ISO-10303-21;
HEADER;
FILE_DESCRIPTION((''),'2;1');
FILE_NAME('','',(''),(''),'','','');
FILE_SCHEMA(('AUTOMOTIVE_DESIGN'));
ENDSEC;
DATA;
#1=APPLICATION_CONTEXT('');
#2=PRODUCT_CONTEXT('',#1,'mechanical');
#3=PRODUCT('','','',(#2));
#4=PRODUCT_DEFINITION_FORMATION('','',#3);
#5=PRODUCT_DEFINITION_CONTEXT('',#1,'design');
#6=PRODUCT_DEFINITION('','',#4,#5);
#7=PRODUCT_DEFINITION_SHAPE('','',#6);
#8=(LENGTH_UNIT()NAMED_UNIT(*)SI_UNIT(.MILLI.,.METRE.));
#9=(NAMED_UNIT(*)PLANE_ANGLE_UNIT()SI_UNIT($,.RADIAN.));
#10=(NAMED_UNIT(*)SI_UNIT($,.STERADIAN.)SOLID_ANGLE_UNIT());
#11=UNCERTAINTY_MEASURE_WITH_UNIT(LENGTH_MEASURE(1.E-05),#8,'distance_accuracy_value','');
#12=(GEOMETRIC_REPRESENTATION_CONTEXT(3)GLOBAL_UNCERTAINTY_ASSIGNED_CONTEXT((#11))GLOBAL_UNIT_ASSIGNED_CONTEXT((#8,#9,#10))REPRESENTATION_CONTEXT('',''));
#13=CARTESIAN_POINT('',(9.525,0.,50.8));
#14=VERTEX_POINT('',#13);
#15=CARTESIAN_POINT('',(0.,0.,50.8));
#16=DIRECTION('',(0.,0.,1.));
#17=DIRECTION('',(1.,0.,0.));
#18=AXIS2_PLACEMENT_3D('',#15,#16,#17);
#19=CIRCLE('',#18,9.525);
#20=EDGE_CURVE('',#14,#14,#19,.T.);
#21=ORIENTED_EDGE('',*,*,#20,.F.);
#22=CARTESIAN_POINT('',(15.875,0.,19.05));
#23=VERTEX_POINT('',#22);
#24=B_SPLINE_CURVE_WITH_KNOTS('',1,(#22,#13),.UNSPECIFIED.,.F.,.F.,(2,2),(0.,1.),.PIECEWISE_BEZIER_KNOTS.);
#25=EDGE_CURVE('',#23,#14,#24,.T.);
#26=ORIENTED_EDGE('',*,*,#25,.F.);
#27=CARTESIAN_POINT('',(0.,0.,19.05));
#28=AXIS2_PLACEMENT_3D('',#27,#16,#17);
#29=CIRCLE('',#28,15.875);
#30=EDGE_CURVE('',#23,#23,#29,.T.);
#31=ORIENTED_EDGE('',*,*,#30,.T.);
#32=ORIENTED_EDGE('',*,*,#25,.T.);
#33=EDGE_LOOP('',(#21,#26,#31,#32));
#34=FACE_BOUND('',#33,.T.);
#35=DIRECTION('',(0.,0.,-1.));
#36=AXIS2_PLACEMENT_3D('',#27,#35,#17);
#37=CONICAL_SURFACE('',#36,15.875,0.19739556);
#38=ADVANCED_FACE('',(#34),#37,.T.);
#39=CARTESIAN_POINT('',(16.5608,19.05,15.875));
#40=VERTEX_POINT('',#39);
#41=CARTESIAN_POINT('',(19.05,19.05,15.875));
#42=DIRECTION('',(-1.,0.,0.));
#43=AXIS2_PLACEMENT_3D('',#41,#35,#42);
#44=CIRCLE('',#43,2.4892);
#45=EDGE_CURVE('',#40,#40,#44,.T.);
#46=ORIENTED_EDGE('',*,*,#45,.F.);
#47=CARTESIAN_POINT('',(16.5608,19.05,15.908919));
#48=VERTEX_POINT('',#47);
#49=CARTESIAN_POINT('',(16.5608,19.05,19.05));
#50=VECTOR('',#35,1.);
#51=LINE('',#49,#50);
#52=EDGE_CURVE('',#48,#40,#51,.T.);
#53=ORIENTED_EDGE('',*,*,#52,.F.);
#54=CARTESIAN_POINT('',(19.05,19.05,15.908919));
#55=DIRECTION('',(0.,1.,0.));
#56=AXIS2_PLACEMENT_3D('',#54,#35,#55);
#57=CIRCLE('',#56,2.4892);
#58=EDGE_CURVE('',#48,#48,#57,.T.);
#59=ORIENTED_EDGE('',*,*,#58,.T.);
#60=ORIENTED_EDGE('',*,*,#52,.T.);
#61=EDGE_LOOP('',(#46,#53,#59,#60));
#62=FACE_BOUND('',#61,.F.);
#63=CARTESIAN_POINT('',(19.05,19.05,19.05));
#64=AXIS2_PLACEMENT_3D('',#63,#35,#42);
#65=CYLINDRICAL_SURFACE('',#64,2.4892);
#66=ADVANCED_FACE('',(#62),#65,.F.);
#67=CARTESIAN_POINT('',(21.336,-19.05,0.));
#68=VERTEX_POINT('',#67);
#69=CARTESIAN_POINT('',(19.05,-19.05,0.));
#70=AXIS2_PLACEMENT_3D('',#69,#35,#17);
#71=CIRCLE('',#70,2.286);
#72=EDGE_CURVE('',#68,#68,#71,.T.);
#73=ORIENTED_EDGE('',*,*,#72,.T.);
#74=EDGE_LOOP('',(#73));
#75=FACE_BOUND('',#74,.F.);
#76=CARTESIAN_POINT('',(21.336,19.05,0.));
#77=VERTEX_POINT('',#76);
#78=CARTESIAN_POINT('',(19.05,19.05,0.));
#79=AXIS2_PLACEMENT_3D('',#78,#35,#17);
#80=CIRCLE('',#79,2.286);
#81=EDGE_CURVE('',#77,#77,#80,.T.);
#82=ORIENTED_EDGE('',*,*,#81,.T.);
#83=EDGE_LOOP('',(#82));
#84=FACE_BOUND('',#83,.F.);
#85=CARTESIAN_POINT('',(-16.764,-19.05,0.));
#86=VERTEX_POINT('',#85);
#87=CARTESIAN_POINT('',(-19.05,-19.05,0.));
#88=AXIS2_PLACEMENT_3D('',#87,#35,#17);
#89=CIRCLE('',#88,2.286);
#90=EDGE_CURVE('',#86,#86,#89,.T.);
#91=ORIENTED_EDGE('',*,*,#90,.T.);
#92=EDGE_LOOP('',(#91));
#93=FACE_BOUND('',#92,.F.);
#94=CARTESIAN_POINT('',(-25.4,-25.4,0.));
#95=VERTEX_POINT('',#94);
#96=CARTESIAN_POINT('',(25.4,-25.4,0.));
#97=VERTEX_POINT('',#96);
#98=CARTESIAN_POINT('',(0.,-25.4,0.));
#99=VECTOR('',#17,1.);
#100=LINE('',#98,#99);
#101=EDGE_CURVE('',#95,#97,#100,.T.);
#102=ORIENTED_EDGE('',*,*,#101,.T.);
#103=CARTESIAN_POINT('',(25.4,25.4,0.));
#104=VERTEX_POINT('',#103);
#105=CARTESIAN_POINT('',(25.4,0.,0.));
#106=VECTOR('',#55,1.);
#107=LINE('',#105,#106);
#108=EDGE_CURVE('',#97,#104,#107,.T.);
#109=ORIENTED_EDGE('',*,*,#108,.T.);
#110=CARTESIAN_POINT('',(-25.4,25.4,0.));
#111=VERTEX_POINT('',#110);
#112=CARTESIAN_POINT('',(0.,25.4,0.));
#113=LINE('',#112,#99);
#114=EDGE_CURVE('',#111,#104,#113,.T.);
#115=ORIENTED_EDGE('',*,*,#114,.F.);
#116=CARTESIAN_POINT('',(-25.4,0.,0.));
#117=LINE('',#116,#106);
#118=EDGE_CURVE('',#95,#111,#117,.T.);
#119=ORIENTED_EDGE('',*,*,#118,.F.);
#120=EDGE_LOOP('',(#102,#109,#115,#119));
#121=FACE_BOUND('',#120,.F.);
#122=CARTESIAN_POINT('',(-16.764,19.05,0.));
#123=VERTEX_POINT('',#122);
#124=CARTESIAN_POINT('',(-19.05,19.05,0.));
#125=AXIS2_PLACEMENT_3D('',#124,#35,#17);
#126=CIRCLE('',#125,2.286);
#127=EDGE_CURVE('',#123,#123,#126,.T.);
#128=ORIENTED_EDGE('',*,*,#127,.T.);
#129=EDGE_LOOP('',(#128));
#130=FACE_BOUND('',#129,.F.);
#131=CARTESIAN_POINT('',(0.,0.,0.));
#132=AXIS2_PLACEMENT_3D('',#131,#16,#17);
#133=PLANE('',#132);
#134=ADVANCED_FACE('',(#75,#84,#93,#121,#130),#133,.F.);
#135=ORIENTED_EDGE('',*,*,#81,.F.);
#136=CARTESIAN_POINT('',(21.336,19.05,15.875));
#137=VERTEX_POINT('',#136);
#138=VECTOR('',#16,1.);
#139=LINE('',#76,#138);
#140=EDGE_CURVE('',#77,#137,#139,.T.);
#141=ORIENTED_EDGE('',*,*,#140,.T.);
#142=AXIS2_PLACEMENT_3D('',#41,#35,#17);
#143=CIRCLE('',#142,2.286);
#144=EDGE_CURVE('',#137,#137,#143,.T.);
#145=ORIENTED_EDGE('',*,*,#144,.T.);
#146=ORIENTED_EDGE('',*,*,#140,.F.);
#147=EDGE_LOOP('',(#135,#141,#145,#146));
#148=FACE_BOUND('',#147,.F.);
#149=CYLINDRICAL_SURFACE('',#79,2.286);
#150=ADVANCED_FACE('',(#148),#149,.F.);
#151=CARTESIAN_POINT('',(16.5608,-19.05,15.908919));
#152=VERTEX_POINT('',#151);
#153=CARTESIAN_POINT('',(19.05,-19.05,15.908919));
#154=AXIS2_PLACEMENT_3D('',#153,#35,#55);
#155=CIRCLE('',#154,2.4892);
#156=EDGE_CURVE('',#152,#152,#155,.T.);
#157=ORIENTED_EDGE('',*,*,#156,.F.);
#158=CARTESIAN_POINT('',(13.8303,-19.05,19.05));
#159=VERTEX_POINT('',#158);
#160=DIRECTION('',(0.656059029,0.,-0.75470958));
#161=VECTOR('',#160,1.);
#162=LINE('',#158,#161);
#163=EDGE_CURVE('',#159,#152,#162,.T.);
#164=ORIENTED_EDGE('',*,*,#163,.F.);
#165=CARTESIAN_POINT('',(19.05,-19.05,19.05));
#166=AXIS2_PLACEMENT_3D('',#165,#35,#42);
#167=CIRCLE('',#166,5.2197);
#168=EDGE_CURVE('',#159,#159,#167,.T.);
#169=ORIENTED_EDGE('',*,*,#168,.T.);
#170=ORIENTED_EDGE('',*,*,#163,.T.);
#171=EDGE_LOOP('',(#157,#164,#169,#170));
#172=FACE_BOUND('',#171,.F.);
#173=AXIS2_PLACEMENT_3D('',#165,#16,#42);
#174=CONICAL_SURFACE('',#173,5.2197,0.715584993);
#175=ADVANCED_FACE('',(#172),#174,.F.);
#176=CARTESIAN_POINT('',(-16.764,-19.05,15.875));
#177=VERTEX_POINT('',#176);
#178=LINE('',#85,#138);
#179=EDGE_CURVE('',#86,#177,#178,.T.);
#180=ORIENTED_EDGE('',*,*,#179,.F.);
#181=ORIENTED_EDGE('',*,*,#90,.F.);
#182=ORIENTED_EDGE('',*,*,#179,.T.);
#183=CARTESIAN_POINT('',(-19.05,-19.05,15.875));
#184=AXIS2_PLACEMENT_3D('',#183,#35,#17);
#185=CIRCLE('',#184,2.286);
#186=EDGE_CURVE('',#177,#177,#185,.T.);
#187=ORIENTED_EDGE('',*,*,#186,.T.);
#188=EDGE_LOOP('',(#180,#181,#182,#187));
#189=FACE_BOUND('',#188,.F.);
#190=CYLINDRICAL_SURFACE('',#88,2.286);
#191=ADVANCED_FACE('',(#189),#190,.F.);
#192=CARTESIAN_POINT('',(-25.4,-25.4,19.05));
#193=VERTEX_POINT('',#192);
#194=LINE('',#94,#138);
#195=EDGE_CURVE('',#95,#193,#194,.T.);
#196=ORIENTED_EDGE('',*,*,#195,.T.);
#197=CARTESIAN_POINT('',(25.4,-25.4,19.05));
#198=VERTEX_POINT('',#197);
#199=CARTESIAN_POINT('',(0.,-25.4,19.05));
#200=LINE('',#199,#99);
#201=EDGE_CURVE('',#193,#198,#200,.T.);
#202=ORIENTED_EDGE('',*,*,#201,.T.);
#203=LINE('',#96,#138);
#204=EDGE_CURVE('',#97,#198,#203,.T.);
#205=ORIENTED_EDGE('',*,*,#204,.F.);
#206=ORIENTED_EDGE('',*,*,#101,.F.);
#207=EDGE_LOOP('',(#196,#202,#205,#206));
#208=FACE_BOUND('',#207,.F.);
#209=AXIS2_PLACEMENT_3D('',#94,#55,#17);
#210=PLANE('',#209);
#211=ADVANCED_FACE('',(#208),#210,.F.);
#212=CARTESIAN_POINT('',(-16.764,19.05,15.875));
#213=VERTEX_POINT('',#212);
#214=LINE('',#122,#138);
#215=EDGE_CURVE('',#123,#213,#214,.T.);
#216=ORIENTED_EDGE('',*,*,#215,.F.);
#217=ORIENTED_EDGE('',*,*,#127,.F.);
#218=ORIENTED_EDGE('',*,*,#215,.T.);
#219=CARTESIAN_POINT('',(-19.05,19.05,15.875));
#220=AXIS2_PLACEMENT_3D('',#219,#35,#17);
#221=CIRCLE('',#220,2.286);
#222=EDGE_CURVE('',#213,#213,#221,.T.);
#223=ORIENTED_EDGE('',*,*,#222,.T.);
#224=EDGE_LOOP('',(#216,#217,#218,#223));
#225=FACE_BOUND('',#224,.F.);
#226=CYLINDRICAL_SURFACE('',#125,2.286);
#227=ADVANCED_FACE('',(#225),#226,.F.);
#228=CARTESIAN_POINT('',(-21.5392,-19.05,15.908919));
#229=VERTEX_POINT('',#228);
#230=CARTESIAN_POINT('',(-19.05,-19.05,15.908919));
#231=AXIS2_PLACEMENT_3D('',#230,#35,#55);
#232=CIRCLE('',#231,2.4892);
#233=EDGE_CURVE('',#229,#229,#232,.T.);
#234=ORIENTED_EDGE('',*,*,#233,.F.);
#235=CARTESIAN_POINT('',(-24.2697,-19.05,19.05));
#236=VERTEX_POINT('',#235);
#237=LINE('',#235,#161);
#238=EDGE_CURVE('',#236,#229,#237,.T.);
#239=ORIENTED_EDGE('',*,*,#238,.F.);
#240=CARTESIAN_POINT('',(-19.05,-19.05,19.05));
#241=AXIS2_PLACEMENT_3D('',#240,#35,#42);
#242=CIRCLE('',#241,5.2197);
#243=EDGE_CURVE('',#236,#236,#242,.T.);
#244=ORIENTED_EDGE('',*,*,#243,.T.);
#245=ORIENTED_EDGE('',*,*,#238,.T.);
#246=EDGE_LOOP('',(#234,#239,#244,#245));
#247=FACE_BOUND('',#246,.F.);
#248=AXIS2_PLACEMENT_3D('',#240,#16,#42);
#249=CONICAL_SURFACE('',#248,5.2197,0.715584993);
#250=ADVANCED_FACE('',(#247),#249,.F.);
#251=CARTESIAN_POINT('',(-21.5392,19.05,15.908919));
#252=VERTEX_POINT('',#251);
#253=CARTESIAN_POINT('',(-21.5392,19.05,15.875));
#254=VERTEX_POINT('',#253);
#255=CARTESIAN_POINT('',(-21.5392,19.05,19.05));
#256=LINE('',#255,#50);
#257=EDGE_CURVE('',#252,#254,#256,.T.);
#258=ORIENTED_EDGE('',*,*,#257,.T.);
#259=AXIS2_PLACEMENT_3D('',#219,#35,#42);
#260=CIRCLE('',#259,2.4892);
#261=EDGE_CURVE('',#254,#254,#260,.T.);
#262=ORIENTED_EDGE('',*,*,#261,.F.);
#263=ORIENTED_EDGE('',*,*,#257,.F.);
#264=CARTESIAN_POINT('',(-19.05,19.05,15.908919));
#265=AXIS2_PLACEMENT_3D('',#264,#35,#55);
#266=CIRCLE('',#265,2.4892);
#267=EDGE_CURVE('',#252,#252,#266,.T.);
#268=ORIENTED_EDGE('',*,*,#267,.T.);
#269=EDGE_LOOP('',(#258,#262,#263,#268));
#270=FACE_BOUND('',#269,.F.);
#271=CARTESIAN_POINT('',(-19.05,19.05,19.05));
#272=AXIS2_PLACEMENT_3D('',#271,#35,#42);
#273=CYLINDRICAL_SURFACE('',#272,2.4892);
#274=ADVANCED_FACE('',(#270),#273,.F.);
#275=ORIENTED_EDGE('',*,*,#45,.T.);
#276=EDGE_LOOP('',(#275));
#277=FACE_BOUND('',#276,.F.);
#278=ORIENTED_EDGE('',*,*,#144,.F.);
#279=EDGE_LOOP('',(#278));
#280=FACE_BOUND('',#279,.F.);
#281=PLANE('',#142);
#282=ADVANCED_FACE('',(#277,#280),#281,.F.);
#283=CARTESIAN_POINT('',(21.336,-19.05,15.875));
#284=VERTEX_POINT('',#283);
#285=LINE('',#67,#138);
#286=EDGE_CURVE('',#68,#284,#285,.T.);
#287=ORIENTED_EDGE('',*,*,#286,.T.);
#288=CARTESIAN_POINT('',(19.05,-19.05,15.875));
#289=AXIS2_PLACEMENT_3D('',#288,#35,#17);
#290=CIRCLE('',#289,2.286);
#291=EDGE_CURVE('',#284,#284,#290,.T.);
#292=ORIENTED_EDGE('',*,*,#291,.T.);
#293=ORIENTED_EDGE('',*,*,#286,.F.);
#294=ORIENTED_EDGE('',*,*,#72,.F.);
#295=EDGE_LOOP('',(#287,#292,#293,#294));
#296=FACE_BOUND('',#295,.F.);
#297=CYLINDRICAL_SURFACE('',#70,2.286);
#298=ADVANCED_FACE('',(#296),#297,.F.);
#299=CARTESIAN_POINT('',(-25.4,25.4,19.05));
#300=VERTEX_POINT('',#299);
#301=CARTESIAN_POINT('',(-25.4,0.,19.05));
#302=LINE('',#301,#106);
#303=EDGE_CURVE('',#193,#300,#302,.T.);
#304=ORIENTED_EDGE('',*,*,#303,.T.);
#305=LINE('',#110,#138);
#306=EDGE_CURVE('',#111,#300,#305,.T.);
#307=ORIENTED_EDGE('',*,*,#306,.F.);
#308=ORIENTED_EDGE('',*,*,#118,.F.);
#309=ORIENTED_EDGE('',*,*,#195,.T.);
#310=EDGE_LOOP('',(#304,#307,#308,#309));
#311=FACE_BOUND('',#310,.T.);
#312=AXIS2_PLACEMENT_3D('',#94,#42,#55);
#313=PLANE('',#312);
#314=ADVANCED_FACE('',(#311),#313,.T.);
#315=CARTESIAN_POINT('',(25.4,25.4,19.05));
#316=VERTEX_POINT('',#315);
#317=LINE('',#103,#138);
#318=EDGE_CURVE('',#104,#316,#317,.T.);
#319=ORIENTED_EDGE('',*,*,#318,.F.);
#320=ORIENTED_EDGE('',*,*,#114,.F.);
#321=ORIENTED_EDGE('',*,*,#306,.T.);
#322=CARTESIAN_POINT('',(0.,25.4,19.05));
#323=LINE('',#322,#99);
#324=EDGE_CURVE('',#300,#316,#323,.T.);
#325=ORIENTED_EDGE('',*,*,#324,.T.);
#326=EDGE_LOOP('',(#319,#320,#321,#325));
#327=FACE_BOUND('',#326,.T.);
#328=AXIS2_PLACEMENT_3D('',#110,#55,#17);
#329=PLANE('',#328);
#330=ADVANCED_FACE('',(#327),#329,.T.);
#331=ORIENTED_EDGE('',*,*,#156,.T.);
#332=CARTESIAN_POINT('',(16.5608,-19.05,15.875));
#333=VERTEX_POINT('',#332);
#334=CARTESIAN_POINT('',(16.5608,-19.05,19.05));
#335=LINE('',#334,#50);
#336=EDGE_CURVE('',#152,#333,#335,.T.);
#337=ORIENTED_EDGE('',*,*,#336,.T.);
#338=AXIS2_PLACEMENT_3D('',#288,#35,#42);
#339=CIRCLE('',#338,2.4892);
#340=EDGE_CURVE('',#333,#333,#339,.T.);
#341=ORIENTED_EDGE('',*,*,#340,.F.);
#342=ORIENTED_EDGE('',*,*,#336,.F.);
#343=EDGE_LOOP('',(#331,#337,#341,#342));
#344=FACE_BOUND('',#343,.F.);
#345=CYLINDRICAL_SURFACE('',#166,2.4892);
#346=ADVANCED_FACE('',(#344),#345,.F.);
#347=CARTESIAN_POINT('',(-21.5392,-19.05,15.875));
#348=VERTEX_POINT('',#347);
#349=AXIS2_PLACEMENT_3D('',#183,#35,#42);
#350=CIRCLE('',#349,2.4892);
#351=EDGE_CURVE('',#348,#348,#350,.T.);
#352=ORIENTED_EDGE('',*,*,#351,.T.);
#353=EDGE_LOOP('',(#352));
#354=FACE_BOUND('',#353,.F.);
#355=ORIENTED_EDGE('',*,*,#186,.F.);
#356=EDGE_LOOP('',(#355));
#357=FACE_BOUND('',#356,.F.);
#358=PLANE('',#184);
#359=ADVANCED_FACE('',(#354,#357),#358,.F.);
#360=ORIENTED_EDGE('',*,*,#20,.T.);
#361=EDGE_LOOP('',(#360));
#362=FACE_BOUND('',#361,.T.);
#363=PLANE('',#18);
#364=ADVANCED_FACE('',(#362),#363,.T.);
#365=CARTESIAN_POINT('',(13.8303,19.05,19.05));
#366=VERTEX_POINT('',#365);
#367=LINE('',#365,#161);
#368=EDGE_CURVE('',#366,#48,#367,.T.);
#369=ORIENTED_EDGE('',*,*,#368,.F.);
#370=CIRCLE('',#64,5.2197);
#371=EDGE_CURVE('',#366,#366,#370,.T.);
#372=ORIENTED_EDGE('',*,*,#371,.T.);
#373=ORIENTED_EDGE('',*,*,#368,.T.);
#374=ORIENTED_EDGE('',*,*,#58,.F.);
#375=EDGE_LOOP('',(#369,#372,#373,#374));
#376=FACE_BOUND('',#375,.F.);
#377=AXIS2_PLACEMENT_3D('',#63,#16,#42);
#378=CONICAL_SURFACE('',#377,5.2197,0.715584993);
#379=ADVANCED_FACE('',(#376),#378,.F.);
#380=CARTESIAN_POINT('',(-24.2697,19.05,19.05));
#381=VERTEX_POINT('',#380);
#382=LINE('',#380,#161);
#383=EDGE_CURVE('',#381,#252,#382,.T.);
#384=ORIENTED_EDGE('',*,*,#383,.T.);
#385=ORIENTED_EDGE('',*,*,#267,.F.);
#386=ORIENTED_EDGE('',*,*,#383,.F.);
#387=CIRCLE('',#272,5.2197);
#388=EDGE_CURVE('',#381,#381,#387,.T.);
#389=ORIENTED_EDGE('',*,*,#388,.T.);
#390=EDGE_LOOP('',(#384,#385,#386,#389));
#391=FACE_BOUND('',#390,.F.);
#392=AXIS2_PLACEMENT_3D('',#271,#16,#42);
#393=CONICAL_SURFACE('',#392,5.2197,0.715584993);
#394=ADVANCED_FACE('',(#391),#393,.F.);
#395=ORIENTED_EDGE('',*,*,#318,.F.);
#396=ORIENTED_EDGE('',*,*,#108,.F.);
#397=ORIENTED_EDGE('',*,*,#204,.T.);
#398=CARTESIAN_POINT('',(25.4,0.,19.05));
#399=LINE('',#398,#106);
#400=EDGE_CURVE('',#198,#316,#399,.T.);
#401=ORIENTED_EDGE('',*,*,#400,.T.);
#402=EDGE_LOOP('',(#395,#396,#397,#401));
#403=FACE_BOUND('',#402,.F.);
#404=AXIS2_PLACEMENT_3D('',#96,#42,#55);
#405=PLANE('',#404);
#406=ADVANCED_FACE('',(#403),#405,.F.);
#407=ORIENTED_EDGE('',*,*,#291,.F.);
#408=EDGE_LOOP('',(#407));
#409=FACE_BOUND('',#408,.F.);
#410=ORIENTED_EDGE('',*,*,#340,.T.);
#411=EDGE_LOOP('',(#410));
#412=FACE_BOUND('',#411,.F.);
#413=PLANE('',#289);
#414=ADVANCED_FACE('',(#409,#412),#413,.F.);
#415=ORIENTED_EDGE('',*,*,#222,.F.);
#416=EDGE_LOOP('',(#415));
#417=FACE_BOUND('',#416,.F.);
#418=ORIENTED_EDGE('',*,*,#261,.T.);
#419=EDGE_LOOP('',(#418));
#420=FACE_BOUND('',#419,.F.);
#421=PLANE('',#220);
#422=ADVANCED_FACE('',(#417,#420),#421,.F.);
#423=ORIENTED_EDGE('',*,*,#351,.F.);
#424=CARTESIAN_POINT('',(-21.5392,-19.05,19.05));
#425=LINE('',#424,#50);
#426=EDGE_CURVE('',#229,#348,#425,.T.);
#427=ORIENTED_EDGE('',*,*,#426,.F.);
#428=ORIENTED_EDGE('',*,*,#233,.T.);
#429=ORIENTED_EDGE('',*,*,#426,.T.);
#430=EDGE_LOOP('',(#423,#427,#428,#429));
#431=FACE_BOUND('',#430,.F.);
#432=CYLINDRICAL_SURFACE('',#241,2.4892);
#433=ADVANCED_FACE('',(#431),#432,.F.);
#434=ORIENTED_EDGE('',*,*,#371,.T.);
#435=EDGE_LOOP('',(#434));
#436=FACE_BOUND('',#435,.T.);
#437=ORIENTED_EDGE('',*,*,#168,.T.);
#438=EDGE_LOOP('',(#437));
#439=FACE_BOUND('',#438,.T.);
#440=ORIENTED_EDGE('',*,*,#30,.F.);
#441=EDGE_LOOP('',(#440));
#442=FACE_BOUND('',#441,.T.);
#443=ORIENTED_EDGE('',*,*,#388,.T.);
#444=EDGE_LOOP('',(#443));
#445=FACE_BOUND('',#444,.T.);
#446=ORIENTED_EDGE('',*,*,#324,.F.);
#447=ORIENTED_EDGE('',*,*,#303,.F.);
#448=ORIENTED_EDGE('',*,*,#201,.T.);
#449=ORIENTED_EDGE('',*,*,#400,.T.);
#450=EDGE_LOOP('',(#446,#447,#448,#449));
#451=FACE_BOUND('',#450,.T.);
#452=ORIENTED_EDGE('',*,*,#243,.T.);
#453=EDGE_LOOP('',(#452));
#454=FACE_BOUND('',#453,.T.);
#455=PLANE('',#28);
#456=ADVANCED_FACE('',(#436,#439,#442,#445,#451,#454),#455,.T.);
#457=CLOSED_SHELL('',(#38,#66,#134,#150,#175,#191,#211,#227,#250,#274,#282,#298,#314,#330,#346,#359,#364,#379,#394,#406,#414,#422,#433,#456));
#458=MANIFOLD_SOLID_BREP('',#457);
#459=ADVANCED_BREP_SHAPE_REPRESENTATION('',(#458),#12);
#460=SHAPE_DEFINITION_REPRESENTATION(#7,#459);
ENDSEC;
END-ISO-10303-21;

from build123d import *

# Parameters (mm, degrees)
F0_W           = 50.8
F0_H           = 50.8
F1_DEPTH       = 19.05
F4_R           = 15.875
F3_R           = 9.525
F7_D           = 4.9784
F7_CSINK_D     = 10.4394
F7_CSINK_ANGLE = 82
F8_R           = 2.794
F8_R_2         = 2.286
F9_DEPTH       = 15.875


with BuildPart() as f1:
    # F0 (on Top) → F1 (new body)
    with BuildSketch(Plane.XY):
        Rectangle(F0_W, F0_H)
    extrude(amount=F1_DEPTH)

    # F4 (on face) → F5 section 0
    with BuildSketch(Plane.XY.offset(19.05)):
        Circle(F4_R)
    # F3 (on offset) → F5 section 1
    with BuildSketch(Plane.XY.offset(50.8)):
        Circle(F3_R)
    loft()

    # F7 (through all)
    with Locations(Plane.XY.offset(19.05)):
        with Locations((-19.05, 19.05), (19.05, 19.05), (19.05, -19.05), (-19.05, -19.05)):
            CounterSinkHole(F7_D / 2, F7_CSINK_D / 2, counter_sink_angle=F7_CSINK_ANGLE)

    # F8 (on face) → F9 (join)
    with BuildSketch(Plane(origin=(0, 0, 0), x_dir=(1, 0, 0), z_dir=(0, 0, -1))):
        with Locations((19.05, -19.05)):
            Circle(F8_R)
        with Locations((19.05, -19.05)):
            Circle(F8_R_2, mode=Mode.SUBTRACT)
        with Locations((19.05, 19.05)):
            Circle(F8_R)
        with Locations((19.05, 19.05)):
            Circle(F8_R_2, mode=Mode.SUBTRACT)
        with Locations((-19.05, 19.05)):
            Circle(F8_R)
        with Locations((-19.05, 19.05)):
            Circle(F8_R_2, mode=Mode.SUBTRACT)
        with Locations((-19.05, -19.05)):
            Circle(F8_R)
        with Locations((-19.05, -19.05)):
            Circle(F8_R_2, mode=Mode.SUBTRACT)
    extrude(amount=-F9_DEPTH)


solid = f1.part
